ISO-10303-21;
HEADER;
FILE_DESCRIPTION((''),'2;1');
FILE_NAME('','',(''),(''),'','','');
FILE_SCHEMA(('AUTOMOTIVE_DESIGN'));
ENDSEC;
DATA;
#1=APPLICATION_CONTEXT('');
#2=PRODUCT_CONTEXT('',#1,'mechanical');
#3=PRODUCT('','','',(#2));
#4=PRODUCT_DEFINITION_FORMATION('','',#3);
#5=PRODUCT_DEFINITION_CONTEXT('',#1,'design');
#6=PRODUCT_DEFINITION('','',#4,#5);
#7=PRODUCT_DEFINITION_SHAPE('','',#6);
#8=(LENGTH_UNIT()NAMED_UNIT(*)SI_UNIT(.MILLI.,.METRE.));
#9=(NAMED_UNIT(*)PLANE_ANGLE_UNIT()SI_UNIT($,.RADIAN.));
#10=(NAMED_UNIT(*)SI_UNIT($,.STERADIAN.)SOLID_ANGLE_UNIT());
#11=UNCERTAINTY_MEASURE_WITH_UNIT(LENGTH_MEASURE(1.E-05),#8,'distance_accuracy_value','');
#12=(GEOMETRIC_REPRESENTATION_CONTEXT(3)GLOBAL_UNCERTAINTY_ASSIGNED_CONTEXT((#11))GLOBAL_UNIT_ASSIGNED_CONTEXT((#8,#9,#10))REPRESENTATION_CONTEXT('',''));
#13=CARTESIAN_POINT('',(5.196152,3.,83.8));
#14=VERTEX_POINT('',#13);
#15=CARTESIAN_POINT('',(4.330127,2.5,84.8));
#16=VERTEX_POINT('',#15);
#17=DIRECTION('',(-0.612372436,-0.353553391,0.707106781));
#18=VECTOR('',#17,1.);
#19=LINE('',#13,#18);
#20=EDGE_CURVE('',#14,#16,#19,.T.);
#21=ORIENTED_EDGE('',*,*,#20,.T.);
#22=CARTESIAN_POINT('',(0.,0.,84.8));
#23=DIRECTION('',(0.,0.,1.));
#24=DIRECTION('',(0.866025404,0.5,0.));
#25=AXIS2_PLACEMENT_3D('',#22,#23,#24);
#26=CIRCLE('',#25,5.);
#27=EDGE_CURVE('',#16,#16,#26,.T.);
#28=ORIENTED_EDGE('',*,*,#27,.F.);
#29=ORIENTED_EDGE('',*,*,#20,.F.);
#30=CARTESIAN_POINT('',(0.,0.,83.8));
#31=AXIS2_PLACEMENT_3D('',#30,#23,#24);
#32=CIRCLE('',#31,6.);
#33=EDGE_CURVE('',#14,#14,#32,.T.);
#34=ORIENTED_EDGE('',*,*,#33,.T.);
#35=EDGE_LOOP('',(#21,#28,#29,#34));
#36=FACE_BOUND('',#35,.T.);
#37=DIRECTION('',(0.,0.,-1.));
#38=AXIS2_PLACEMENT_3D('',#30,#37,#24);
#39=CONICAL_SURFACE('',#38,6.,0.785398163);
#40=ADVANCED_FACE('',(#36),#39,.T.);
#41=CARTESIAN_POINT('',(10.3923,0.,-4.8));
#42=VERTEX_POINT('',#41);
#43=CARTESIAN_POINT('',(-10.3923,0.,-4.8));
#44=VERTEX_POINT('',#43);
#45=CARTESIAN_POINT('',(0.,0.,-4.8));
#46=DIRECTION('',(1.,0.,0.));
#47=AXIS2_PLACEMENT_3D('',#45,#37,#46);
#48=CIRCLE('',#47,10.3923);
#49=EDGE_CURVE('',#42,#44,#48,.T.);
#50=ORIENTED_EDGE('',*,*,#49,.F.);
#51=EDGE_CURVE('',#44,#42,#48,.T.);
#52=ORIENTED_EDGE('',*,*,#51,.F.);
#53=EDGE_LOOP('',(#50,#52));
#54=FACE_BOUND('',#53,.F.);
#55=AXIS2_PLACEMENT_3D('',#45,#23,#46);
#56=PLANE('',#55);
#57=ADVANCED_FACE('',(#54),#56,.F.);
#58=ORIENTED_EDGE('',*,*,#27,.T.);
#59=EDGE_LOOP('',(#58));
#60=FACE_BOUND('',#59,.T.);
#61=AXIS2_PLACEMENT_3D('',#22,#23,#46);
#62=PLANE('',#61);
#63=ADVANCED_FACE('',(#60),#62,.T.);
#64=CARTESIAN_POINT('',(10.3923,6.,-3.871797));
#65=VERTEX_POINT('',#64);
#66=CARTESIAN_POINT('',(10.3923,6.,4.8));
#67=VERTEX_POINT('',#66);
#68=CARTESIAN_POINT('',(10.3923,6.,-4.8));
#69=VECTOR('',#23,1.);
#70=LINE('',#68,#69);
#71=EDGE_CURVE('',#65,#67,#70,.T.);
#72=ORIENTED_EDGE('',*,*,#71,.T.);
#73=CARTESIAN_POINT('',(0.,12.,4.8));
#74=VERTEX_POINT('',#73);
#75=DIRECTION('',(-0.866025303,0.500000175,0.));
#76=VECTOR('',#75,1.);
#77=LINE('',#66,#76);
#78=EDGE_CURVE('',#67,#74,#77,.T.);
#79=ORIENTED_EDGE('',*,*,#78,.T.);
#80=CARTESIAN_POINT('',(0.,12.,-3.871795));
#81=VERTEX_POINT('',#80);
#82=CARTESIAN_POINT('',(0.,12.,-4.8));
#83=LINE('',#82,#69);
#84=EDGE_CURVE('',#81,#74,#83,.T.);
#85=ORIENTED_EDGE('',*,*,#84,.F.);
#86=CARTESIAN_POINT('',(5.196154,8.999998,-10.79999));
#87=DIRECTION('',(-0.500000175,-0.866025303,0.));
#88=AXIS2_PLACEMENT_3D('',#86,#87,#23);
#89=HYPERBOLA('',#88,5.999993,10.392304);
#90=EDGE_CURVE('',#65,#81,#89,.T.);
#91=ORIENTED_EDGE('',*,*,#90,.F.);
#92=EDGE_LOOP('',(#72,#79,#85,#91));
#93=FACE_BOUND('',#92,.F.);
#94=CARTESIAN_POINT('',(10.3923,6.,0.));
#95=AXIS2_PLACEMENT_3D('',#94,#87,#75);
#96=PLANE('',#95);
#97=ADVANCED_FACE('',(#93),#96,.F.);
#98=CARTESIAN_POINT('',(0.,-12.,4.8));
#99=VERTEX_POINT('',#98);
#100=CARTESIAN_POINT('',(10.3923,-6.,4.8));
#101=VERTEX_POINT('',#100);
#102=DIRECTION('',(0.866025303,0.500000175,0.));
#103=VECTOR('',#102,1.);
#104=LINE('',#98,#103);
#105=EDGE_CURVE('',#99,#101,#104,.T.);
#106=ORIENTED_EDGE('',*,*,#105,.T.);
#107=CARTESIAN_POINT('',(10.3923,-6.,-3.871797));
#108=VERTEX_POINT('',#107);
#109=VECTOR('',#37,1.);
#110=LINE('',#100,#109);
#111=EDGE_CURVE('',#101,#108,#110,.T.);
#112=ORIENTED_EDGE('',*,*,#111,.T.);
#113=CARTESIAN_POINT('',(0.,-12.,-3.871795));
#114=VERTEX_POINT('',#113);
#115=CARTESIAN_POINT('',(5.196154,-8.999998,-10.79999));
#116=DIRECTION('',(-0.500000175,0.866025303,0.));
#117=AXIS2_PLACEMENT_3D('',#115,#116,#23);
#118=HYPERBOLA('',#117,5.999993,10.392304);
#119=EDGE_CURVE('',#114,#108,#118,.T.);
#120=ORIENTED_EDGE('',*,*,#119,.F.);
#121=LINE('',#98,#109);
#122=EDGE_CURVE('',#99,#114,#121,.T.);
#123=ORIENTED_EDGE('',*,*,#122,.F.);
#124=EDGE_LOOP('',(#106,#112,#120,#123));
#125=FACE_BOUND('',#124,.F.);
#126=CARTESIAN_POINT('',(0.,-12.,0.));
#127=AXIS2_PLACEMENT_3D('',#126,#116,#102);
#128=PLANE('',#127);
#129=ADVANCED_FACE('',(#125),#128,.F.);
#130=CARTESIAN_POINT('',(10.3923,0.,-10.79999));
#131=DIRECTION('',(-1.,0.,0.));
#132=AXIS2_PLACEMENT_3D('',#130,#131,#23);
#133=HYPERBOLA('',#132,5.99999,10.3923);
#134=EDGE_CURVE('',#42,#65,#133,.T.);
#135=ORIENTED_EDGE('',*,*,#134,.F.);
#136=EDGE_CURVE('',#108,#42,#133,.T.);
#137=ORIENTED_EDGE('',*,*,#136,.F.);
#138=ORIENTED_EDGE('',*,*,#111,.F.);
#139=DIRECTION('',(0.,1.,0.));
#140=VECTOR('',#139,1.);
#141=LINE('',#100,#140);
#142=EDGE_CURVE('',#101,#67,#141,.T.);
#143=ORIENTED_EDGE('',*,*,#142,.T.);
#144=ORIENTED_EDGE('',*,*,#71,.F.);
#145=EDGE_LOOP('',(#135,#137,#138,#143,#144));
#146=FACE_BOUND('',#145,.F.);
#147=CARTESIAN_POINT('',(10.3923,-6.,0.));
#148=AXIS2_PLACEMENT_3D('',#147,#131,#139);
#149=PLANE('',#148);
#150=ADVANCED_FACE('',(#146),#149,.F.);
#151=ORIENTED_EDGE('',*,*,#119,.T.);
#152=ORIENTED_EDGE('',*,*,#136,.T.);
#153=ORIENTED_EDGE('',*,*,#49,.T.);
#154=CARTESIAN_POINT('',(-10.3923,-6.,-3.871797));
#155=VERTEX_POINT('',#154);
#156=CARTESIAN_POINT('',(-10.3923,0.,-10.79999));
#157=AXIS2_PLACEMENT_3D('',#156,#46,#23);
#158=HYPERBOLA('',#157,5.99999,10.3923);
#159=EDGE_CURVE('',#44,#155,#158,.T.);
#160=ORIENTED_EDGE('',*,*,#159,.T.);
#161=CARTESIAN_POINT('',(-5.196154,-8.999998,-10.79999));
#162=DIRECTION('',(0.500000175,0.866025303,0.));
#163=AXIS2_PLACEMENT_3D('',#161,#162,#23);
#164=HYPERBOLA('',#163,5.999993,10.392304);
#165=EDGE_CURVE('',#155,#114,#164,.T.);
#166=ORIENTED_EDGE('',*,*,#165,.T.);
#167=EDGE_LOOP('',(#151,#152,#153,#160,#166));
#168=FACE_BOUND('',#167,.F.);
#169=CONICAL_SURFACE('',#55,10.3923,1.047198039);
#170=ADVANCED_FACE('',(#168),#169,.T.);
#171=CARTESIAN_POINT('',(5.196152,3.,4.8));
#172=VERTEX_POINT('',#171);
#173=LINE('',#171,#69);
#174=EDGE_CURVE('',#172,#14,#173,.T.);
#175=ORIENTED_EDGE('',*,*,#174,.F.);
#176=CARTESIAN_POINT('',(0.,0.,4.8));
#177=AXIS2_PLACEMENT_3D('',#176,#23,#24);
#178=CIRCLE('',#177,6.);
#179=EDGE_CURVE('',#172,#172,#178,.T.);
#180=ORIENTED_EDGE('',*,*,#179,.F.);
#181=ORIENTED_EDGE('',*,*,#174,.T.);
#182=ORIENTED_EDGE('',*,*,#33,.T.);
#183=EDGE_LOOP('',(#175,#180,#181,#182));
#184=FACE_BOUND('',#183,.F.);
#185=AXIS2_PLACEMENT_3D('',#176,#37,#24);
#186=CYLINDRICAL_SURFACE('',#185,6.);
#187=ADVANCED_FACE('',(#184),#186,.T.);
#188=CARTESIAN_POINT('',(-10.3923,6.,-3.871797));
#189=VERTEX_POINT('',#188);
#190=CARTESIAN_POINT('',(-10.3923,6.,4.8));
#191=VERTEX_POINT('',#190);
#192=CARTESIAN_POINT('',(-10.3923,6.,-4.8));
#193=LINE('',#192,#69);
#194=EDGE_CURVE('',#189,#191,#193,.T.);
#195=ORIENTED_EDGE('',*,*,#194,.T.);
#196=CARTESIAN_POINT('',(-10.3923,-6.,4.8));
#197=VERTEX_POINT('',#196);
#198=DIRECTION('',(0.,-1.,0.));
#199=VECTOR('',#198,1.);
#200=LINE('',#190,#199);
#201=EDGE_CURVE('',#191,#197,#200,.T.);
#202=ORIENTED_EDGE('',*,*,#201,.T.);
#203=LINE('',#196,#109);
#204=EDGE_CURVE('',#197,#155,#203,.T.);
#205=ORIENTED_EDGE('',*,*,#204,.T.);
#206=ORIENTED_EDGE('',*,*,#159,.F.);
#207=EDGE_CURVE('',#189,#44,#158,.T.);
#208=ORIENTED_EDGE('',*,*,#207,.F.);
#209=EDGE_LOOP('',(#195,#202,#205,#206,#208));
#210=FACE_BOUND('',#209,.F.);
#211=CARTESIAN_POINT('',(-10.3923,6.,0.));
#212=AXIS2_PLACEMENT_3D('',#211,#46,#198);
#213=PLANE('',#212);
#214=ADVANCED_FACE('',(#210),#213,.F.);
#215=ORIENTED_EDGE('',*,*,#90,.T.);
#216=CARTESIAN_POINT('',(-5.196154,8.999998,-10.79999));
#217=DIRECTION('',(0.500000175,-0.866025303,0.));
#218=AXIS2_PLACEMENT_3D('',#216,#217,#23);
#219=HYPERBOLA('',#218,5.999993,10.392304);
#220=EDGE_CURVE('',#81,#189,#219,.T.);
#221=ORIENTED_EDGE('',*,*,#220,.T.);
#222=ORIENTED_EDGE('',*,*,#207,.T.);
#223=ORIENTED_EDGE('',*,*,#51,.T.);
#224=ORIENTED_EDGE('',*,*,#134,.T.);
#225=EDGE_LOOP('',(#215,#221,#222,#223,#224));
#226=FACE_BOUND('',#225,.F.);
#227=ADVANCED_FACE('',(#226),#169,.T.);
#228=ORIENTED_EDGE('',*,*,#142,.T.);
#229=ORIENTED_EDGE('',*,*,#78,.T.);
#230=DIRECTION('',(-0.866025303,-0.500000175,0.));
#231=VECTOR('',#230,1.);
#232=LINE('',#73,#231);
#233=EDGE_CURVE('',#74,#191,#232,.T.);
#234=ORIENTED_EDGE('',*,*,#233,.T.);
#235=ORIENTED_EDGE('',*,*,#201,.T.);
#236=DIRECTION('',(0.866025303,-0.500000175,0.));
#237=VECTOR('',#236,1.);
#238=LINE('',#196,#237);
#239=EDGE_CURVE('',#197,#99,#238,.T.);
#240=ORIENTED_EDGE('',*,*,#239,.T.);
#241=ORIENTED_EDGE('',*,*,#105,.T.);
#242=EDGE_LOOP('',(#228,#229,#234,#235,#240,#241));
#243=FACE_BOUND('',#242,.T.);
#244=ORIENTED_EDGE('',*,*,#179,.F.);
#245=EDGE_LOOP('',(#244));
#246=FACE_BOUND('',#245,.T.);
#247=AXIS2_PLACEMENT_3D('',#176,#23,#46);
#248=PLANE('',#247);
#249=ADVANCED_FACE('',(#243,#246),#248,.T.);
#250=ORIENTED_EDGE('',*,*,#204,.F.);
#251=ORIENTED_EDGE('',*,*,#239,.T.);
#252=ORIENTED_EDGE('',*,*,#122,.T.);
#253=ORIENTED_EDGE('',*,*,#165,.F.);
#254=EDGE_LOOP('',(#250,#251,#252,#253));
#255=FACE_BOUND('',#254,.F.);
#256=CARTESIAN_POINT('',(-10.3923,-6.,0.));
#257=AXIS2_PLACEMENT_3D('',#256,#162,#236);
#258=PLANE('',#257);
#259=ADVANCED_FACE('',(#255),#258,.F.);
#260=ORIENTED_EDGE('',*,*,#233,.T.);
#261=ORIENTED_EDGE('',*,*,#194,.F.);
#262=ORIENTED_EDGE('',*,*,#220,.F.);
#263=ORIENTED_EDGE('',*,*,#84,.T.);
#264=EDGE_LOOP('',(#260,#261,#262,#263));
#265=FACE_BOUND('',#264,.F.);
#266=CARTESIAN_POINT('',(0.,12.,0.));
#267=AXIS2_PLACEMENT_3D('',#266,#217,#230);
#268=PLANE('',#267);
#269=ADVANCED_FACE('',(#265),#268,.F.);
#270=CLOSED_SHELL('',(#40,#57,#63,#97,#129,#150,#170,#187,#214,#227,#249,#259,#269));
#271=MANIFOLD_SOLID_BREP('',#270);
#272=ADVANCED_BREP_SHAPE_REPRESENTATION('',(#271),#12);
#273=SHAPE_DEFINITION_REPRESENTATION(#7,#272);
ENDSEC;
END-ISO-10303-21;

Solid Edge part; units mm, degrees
sketch "Sketch1" plane through (0, 0, 0) normal (0, 0, 1) x (1, 0, 0)
  line L0 (10.3923, -6) -> (10.3923, 6)
  line L1 (10.3923, 6) -> (0, 12)
  line L2 (0, 12) -> (-10.3923, 6)
  line L3 (-10.3923, 6) -> (-10.3923, -6)
  line L4 (-10.3923, -6) -> (0, -12)
  line L5 (0, -12) -> (10.3923, -6)
extrude "Protrusion1" add sketch "Sketch1" along normal mid plane 9.6
sketch "Sketch2" plane through (0, 0, 4.8) normal (0, 0, 1) x (0.866, 0.5, 0)
  circle A0 centre (0, 0) radius 6
extrude "ExtrudedProtrusion_2" add sketch "Sketch2" along normal blind 80
cosmetic_thread "Thread_1" size "Tr 12 x 3" thread depth 40
chamfer "Chamfer_1" distance 1 angle 45 1 edges at (-5.1962, -3, 84.8)
sketch "Sketch3" plane through (0, 0, 0) normal (0, -1, 0) x (1, 0, 0)
  line L0 (10.3923, -4.8) -> (46.6769, 16.1489)
revolve "RevolvedCutout1" cut sketch "Sketch3" angle 360 about axis through (0, 0, 54) along (0, 0, -1) material side at (28.5596, 0, 5.6311)
properties part number "1"
